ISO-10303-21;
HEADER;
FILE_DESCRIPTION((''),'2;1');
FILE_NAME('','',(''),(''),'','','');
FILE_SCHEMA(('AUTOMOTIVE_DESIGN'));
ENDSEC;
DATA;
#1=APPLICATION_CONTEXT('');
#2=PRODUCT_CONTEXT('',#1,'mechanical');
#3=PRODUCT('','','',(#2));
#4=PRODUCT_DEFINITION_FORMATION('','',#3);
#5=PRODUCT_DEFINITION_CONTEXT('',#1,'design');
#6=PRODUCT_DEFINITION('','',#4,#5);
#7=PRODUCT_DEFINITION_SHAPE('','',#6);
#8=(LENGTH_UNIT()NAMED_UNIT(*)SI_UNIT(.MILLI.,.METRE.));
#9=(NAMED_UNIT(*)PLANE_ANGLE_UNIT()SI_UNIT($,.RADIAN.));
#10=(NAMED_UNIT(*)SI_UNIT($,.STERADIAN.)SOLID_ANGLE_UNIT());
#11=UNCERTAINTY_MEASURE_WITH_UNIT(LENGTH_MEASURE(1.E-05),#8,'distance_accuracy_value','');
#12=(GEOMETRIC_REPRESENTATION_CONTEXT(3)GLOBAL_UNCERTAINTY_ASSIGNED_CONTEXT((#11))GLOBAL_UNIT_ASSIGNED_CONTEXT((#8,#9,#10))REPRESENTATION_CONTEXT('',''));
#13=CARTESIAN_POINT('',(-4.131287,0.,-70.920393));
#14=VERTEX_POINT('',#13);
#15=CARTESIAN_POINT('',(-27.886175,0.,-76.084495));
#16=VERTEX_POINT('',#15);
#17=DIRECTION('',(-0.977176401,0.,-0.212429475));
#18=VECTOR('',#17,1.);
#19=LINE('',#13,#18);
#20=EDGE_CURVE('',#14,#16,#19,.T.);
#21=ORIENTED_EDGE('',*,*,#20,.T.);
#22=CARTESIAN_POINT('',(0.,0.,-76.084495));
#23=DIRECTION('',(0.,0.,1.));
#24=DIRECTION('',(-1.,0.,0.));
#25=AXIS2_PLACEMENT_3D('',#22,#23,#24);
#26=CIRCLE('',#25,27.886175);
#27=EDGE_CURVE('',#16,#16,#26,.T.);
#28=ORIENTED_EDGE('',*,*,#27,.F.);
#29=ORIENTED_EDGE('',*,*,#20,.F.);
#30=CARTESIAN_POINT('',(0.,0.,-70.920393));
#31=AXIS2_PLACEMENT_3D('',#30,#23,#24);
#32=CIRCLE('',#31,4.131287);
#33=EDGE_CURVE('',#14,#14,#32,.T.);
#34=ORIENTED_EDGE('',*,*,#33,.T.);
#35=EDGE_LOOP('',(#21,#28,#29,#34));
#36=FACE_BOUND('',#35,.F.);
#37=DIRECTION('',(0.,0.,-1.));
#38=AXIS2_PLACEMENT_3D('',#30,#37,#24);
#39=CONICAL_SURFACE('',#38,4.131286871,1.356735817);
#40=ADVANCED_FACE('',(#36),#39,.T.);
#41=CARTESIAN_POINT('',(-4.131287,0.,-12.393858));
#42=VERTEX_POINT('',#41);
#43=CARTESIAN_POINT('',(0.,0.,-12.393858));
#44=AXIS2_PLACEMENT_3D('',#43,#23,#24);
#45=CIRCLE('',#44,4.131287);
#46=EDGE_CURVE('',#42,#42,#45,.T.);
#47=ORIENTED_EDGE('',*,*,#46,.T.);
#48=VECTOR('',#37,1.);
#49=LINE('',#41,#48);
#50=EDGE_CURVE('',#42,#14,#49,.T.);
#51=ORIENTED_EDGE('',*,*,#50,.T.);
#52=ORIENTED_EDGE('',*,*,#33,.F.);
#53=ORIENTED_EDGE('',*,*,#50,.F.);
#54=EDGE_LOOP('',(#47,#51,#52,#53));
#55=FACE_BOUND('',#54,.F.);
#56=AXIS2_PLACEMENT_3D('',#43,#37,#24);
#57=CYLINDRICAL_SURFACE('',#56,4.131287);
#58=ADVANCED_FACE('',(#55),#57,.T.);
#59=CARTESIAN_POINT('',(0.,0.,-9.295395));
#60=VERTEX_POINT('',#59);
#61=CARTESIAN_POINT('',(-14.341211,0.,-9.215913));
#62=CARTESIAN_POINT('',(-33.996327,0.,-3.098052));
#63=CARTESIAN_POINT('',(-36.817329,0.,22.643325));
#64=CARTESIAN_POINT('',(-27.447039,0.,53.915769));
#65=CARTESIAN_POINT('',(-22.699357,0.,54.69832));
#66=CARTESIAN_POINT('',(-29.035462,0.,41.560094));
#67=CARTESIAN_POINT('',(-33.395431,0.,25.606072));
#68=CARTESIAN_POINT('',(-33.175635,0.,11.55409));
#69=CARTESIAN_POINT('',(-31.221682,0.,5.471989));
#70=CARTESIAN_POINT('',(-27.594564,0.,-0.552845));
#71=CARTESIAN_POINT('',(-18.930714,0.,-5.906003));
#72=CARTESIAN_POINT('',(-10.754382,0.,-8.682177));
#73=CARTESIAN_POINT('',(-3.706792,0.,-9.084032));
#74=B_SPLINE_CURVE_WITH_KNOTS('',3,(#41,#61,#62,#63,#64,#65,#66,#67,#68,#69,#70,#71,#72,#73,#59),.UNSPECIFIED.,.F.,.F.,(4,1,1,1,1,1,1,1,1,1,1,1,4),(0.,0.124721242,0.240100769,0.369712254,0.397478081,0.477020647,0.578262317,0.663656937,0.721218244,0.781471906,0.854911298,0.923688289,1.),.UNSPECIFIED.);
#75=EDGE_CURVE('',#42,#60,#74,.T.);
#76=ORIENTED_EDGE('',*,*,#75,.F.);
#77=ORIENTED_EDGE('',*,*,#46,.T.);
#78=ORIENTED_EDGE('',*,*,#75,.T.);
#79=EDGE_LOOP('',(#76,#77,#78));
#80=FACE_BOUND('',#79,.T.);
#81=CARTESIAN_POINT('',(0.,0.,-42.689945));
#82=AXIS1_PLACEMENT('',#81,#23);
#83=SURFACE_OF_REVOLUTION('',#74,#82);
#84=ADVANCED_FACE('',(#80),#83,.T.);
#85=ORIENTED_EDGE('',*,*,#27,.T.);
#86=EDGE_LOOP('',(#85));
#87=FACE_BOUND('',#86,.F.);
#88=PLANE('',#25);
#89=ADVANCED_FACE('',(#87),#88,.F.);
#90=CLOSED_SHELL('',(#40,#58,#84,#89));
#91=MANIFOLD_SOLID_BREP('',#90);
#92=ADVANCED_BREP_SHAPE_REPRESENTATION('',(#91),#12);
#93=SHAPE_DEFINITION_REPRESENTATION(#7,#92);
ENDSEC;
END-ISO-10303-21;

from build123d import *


with BuildPart() as f1:
    # F0 (on Front) → F1 (revolve)
    with BuildSketch(Plane.XZ):
        with BuildLine():
            Line((-27.8861746192, -76.0844945908), (0, -76.0844945908))
            Line((0, -76.0844945908), (0, -9.2953946441))
            add(Edge.make_bspline(
                [(-4.1312868707, -12.3938582838), (-14.3412107187, -9.2159127478), (-33.9963273175, -3.0980522245), (-36.817328708, 22.6433251947), (-27.4470390362, 53.9157688915), (-22.6993565696, 54.6983198115), (-29.0354618924, 41.5600936187), (-33.395430974, 25.6060723353), (-33.1756345542, 11.5540898443), (-31.2216818751, 5.471988612), (-27.5945636705, -0.5528453525), (-18.9307138295, -5.9060032459), (-10.7543821865, -8.6821772648), (-3.7067921163, -9.0840324936), (0, -9.2953946441)],
                knots=[0, 0, 0, 0, 0.1247212425, 0.2401007687, 0.3697122537, 0.3974780809, 0.4770206473, 0.5782623172, 0.6636569368, 0.721218244, 0.7814719063, 0.8549112982, 0.9236882891, 1, 1, 1, 1], degree=3))
            Line((-4.1312868707, -12.3938582838), (-4.1312868707, -70.9203928709))
            Line((-4.1312868707, -70.9203928709), (-27.8861746192, -76.0844945908))
        make_face()
    revolve(axis=Axis((0, 0, -42.6899446175), (0, 0, 1)))


solid = f1.part
